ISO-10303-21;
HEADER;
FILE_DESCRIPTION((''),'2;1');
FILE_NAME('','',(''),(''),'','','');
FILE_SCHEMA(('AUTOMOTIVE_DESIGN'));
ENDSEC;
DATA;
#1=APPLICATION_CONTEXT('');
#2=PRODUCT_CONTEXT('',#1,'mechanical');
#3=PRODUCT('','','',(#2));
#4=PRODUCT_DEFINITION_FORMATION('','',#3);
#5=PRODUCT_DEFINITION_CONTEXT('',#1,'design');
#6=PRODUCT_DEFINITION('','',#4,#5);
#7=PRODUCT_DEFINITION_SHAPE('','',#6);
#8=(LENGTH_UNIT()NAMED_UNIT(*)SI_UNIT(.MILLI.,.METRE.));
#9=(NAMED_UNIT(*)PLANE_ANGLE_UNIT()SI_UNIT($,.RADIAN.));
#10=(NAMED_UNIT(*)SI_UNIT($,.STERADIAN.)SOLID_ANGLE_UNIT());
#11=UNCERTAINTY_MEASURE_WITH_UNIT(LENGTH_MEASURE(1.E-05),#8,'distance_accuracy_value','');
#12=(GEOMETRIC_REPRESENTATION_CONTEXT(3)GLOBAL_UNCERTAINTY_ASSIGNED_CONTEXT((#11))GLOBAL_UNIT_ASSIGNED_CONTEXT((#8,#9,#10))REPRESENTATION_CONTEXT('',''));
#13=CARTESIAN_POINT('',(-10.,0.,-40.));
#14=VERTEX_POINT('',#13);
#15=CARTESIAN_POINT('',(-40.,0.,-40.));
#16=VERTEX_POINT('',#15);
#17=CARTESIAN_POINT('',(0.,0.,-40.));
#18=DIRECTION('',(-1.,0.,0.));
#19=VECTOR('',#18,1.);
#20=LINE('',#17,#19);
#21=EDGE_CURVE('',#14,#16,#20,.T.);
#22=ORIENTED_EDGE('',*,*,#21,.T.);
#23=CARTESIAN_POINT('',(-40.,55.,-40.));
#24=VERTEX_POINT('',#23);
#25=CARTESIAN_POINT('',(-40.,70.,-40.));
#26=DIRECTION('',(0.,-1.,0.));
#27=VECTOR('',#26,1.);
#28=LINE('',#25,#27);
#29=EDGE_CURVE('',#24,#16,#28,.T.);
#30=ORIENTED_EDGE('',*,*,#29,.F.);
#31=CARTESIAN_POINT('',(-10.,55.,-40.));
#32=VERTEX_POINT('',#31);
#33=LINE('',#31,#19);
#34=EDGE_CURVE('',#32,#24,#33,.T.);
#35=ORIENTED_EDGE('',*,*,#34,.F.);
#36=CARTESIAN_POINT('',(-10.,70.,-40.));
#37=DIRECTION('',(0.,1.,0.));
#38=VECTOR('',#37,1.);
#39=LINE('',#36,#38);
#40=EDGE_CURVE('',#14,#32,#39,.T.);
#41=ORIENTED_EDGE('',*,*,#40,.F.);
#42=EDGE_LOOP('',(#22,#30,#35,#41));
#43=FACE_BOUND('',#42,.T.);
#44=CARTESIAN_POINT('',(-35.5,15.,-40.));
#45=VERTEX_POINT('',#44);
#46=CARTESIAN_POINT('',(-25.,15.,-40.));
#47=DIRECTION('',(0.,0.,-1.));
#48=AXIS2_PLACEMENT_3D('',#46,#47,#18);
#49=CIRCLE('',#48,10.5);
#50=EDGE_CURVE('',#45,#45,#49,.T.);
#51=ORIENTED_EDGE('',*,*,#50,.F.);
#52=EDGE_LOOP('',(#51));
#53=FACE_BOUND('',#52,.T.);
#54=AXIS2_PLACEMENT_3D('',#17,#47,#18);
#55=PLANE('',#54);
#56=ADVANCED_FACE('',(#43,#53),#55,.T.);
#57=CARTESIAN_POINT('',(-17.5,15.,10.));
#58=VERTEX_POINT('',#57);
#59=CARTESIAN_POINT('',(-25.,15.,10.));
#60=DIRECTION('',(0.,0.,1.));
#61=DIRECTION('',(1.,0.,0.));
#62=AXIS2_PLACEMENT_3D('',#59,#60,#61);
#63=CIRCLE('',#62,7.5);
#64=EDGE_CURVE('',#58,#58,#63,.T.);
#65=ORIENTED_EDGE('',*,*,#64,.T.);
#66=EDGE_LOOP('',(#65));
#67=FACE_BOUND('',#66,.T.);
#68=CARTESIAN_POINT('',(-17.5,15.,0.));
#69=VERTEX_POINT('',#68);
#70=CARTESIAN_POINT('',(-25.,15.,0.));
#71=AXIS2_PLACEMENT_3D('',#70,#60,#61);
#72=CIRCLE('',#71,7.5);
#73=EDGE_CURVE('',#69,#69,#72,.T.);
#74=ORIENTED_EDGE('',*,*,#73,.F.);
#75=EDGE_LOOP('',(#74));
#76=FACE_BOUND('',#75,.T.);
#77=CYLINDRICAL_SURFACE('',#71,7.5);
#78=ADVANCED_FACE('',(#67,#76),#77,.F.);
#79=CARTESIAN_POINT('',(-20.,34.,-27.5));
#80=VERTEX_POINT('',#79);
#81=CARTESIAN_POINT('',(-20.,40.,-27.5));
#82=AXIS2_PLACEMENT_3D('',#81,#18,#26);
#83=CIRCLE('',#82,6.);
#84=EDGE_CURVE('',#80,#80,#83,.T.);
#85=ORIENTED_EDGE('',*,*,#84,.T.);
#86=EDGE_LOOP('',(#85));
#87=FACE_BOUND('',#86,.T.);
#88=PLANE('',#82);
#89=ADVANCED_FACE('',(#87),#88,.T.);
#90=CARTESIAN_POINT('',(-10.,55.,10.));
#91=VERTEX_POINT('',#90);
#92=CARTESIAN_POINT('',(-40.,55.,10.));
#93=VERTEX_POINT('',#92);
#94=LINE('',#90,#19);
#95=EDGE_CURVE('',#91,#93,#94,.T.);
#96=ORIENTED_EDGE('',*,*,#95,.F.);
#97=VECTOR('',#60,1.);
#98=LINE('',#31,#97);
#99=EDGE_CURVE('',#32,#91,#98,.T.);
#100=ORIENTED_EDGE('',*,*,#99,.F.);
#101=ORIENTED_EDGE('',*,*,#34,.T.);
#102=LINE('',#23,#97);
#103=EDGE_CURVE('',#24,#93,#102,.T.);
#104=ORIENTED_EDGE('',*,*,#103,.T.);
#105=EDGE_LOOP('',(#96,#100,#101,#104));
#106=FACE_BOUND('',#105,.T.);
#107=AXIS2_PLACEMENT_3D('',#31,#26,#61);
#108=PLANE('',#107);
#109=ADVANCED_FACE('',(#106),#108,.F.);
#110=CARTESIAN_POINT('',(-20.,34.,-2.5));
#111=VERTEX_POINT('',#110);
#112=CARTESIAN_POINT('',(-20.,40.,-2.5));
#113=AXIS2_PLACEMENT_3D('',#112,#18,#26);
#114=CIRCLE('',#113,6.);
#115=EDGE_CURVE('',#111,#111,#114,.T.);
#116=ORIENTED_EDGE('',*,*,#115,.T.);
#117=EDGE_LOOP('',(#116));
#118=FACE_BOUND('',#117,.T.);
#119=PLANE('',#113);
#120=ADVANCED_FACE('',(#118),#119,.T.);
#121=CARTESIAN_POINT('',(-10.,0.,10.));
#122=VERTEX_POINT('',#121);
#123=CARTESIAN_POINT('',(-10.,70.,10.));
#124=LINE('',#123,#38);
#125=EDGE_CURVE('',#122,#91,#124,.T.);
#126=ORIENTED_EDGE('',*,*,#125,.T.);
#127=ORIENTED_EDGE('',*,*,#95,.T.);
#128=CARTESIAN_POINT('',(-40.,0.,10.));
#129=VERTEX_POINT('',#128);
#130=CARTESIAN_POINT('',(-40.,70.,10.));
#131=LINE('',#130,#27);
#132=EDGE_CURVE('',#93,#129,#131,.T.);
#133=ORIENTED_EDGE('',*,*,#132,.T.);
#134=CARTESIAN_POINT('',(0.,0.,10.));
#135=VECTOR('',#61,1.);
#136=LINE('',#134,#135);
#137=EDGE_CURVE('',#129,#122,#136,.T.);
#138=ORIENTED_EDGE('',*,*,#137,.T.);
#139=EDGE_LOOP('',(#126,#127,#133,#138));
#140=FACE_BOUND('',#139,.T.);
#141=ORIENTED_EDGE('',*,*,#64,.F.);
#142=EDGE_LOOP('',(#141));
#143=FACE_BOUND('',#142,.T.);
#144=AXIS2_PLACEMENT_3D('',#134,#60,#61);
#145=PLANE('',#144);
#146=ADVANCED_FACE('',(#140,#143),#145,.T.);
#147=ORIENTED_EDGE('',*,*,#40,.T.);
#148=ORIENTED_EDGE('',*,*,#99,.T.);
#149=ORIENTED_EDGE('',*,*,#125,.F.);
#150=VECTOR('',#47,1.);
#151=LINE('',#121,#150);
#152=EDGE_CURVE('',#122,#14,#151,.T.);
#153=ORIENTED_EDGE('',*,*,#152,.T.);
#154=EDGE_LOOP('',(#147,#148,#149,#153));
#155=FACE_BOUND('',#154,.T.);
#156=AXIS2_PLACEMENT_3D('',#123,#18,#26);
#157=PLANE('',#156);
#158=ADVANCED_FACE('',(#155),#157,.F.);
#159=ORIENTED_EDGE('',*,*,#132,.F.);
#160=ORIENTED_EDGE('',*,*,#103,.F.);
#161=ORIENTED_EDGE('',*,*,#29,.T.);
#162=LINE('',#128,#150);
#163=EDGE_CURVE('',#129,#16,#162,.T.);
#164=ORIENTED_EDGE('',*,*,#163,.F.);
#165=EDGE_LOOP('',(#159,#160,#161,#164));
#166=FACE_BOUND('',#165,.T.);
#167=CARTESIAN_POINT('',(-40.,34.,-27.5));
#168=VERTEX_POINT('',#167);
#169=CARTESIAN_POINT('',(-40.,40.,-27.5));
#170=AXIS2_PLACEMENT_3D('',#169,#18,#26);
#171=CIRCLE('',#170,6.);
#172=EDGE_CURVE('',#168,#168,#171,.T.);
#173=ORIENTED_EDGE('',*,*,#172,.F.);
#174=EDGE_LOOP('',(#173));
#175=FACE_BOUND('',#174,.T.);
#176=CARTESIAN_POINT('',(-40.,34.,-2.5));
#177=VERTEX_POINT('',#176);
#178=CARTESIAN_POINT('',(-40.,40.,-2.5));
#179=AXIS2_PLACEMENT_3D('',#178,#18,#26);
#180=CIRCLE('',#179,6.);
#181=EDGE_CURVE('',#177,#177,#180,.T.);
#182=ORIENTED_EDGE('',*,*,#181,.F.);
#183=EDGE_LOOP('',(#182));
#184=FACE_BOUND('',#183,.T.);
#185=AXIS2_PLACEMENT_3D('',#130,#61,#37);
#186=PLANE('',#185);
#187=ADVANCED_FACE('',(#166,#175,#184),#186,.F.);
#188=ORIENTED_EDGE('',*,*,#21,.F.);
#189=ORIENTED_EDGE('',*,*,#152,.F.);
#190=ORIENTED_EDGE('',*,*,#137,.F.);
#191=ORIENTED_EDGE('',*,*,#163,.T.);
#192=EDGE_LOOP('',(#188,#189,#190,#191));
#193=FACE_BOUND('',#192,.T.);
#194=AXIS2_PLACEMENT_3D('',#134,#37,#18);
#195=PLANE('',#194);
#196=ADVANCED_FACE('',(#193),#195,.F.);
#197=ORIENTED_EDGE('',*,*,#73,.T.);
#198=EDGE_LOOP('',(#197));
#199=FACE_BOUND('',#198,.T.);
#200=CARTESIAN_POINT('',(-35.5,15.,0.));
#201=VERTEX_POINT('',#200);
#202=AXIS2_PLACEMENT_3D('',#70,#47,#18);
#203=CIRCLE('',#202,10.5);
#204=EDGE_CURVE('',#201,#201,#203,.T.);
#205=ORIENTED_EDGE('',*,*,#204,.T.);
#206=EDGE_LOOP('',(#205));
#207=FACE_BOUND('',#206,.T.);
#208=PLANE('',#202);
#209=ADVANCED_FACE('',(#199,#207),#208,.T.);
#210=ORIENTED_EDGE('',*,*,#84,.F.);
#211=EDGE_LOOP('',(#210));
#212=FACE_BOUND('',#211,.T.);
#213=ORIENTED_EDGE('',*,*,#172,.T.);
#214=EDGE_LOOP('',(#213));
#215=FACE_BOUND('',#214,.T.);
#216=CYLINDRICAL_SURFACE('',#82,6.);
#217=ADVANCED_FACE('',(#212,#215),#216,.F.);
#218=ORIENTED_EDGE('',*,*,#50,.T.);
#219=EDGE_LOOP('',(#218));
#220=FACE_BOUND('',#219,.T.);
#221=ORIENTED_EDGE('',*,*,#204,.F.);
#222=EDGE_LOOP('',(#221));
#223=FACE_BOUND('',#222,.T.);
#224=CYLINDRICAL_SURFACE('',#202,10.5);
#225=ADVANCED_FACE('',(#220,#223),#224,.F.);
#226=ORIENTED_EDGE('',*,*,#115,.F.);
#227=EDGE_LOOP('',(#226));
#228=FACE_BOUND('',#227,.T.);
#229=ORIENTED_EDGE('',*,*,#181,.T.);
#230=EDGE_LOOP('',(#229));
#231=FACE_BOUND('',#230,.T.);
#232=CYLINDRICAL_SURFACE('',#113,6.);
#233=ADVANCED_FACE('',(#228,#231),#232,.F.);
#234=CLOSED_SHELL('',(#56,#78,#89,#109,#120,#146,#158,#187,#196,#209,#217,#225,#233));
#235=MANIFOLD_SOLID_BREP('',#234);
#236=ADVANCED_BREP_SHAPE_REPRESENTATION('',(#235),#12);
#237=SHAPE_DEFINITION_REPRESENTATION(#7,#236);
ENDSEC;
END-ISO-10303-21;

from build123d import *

# Parameters (mm, degrees)
SKETCH1_W           = 50
SKETCH1_H           = 70
BOSS_EXTRUDE1_DEPTH = 10
SKETCH2_R           = 7.5
CUT_EXTRUDE1_DEPTH  = 10
SKETCH3_W           = 50
SKETCH3_H           = 70
BOSS_EXTRUDE2_DEPTH = 40
SKETCH4_R           = 10.5
CUT_EXTRUDE3_DEPTH  = 40
SKETCH5_W           = 10
SKETCH5_H           = 70
CUT_EXTRUDE4_DEPTH  = 50
SKETCH6_R           = 6
CUT_EXTRUDE5_DEPTH  = 20
SKETCH7_W           = 50
SKETCH7_H           = 15
CUT_EXTRUDE6_DEPTH  = 30


with BuildPart() as part:
    # Sketch1 → Boss-Extrude1 (new body)
    with BuildSketch(Plane.XY):
        with Locations((-25, 35)):
            Rectangle(SKETCH1_W, SKETCH1_H)
    extrude(amount=BOSS_EXTRUDE1_DEPTH)

    # Sketch2 → Cut-Extrude1 (cut)
    with BuildSketch(Plane.XY.offset(10)):
        with Locations((-25, 15)):
            Circle(SKETCH2_R)
    extrude(amount=-CUT_EXTRUDE1_DEPTH, mode=Mode.SUBTRACT)

    # Sketch3 → Boss-Extrude2 (add)
    with BuildSketch(Plane(origin=(0, 0, 0), x_dir=(-1, 0, 0), z_dir=(0, 0, -1))):
        with Locations((25, 35)):
            Rectangle(SKETCH3_W, SKETCH3_H)
    extrude(amount=BOSS_EXTRUDE2_DEPTH)

    # Sketch4 → Cut-Extrude3 (cut)
    with BuildSketch(Plane(origin=(0, 0, -40), x_dir=(-1, 0, 0), z_dir=(0, 0, -1))):
        with Locations((25, 15)):
            Circle(SKETCH4_R)
    extrude(amount=-CUT_EXTRUDE3_DEPTH, mode=Mode.SUBTRACT)

    # Sketch5 → Cut-Extrude4 (cut)
    with BuildSketch(Plane(origin=(0, 0, -40), x_dir=(-1, 0, 0), z_dir=(0, 0, -1))):
        with Locations((5, 35)):
            Rectangle(SKETCH5_W, SKETCH5_H)
        with Locations((45, 35)):
            Rectangle(SKETCH5_W, SKETCH5_H)
    extrude(amount=-CUT_EXTRUDE4_DEPTH, mode=Mode.SUBTRACT)

    # Sketch6 → Cut-Extrude5 (cut)
    with BuildSketch(Plane.ZY.offset(40)):
        with Locations(Location((-27.5, 40, 0), (0, 0, 270))):
            Circle(SKETCH6_R)
        with Locations(Location((-2.5, 40, 0), (0, 0, 270))):
            Circle(SKETCH6_R)
    extrude(amount=-CUT_EXTRUDE5_DEPTH, mode=Mode.SUBTRACT)

    # Sketch7 → Cut-Extrude6 (cut)
    with BuildSketch(Plane.ZY.offset(40)):
        with Locations((-15, 62.5)):
            Rectangle(SKETCH7_W, SKETCH7_H)
    extrude(amount=-CUT_EXTRUDE6_DEPTH, mode=Mode.SUBTRACT)


solid = part.part
